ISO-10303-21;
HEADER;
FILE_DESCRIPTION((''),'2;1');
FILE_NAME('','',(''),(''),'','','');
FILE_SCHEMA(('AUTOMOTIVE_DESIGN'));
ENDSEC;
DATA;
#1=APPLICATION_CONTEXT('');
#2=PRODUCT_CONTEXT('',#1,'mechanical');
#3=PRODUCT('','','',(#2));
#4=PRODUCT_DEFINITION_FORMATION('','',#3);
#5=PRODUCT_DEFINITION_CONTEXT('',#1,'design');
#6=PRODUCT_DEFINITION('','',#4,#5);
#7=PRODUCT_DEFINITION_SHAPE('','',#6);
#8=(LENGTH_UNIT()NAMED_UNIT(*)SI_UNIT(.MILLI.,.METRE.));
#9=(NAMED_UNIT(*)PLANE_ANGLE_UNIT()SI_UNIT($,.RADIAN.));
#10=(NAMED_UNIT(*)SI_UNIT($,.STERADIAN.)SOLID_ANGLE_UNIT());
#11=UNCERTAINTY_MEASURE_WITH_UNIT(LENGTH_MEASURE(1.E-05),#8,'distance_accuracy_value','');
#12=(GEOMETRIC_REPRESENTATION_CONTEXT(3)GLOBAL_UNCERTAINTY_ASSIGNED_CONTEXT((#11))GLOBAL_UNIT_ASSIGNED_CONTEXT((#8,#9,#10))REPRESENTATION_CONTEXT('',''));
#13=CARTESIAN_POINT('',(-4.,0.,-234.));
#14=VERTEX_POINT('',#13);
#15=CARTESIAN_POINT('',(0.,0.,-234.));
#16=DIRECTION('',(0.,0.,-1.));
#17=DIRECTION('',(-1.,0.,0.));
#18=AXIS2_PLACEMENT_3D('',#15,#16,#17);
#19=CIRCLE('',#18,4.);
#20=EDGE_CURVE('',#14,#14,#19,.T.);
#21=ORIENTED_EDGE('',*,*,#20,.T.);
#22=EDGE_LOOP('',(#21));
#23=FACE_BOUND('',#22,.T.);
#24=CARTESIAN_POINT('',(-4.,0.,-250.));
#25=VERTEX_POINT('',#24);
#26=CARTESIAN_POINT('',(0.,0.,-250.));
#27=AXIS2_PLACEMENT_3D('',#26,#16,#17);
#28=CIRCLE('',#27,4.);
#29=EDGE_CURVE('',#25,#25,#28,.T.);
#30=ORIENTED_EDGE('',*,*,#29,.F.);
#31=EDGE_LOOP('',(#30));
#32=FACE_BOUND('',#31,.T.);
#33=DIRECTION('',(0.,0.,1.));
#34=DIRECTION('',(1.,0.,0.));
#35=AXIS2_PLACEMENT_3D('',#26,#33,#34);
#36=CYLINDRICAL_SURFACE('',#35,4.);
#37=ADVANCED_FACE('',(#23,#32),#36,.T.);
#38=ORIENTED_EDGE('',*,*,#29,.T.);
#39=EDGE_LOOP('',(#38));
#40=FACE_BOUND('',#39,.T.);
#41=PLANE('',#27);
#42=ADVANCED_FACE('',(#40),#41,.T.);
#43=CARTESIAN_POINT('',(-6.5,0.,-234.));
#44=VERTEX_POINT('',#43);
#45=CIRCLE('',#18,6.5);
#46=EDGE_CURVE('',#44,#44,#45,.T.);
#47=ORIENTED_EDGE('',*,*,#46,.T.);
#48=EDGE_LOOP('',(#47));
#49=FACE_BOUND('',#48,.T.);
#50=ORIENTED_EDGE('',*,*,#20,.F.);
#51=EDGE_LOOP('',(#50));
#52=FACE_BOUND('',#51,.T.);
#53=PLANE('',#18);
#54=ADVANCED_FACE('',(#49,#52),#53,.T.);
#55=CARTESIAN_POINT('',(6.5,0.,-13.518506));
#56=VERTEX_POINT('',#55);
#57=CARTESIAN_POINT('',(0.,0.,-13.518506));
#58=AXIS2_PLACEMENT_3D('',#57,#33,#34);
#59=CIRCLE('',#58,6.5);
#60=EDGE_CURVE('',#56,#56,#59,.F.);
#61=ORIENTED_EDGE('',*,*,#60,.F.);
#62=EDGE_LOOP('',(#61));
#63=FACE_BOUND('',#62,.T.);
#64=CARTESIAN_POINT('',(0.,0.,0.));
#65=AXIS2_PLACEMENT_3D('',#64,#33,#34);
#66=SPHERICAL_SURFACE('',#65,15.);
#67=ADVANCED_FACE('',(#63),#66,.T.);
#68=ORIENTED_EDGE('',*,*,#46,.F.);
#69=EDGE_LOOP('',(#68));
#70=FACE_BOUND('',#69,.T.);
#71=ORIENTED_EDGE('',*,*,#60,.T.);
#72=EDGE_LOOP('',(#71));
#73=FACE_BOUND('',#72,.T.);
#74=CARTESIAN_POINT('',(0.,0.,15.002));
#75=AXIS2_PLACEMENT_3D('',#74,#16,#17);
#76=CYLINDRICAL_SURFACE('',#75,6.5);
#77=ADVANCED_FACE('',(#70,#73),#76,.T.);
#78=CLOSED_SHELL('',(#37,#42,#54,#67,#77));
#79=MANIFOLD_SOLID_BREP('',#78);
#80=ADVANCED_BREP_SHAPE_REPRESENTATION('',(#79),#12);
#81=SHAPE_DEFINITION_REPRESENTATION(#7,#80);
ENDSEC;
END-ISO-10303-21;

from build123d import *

# Parameters (mm, degrees)
SZKIC2_R                                = 6.5
DODANIE_WYCI_GNI_CIE1_DEPTH             = 219
DODANIE_WYCI_GNI_CIE1_DIRECTION_2_REACH = 38.742
SZKIC3_R                                = 4
DODANIE_WYCI_GNI_CIE2_DEPTH             = 16


with BuildPart() as part:
    # Szkic1 → Obrót5 (revolve)
    with BuildSketch(Plane.XY):
        with BuildLine():
            Line((0, 15), (0, -15))
            ThreePointArc((0, -15), (-15, 0), (0, 15))
        make_face()
    revolve(axis=Axis((0, 15, 0), (0, -1, 0)))

    # Szkic2 → Dodanie-wyciągnięcie1 (add)
    with BuildSketch(Plane(origin=(0, 0, -15), x_dir=(-1, 0, 0), z_dir=(0, 0, -1))):
        Circle(SZKIC2_R)
    extrude(amount=DODANIE_WYCI_GNI_CIE1_DEPTH)

    # Szkic2 → Dodanie-wyciągnięcie1 direction 2 (add, up to next)
    with BuildSketch(Plane(origin=(0, 0, -15), x_dir=(-1, 0, 0), z_dir=(0, 0, -1)), mode=Mode.PRIVATE) as dodanie_wyci_gni_cie1_direction_2_sk1:
        Circle(SZKIC2_R)
    dodanie_wyci_gni_cie1_direction_2_tool1 = extrude(dodanie_wyci_gni_cie1_direction_2_sk1.sketch, amount=-DODANIE_WYCI_GNI_CIE1_DIRECTION_2_REACH, mode=Mode.PRIVATE) - part.part
    add(dodanie_wyci_gni_cie1_direction_2_tool1.solids().sort_by_distance((0, 0, -15))[0])

    # Szkic3 → Dodanie-wyciągnięcie2 (add)
    with BuildSketch(Plane(origin=(0, 0, -234), x_dir=(-1, 0, 0), z_dir=(0, 0, -1))):
        Circle(SZKIC3_R)
    extrude(amount=DODANIE_WYCI_GNI_CIE2_DEPTH)


solid = part.part
